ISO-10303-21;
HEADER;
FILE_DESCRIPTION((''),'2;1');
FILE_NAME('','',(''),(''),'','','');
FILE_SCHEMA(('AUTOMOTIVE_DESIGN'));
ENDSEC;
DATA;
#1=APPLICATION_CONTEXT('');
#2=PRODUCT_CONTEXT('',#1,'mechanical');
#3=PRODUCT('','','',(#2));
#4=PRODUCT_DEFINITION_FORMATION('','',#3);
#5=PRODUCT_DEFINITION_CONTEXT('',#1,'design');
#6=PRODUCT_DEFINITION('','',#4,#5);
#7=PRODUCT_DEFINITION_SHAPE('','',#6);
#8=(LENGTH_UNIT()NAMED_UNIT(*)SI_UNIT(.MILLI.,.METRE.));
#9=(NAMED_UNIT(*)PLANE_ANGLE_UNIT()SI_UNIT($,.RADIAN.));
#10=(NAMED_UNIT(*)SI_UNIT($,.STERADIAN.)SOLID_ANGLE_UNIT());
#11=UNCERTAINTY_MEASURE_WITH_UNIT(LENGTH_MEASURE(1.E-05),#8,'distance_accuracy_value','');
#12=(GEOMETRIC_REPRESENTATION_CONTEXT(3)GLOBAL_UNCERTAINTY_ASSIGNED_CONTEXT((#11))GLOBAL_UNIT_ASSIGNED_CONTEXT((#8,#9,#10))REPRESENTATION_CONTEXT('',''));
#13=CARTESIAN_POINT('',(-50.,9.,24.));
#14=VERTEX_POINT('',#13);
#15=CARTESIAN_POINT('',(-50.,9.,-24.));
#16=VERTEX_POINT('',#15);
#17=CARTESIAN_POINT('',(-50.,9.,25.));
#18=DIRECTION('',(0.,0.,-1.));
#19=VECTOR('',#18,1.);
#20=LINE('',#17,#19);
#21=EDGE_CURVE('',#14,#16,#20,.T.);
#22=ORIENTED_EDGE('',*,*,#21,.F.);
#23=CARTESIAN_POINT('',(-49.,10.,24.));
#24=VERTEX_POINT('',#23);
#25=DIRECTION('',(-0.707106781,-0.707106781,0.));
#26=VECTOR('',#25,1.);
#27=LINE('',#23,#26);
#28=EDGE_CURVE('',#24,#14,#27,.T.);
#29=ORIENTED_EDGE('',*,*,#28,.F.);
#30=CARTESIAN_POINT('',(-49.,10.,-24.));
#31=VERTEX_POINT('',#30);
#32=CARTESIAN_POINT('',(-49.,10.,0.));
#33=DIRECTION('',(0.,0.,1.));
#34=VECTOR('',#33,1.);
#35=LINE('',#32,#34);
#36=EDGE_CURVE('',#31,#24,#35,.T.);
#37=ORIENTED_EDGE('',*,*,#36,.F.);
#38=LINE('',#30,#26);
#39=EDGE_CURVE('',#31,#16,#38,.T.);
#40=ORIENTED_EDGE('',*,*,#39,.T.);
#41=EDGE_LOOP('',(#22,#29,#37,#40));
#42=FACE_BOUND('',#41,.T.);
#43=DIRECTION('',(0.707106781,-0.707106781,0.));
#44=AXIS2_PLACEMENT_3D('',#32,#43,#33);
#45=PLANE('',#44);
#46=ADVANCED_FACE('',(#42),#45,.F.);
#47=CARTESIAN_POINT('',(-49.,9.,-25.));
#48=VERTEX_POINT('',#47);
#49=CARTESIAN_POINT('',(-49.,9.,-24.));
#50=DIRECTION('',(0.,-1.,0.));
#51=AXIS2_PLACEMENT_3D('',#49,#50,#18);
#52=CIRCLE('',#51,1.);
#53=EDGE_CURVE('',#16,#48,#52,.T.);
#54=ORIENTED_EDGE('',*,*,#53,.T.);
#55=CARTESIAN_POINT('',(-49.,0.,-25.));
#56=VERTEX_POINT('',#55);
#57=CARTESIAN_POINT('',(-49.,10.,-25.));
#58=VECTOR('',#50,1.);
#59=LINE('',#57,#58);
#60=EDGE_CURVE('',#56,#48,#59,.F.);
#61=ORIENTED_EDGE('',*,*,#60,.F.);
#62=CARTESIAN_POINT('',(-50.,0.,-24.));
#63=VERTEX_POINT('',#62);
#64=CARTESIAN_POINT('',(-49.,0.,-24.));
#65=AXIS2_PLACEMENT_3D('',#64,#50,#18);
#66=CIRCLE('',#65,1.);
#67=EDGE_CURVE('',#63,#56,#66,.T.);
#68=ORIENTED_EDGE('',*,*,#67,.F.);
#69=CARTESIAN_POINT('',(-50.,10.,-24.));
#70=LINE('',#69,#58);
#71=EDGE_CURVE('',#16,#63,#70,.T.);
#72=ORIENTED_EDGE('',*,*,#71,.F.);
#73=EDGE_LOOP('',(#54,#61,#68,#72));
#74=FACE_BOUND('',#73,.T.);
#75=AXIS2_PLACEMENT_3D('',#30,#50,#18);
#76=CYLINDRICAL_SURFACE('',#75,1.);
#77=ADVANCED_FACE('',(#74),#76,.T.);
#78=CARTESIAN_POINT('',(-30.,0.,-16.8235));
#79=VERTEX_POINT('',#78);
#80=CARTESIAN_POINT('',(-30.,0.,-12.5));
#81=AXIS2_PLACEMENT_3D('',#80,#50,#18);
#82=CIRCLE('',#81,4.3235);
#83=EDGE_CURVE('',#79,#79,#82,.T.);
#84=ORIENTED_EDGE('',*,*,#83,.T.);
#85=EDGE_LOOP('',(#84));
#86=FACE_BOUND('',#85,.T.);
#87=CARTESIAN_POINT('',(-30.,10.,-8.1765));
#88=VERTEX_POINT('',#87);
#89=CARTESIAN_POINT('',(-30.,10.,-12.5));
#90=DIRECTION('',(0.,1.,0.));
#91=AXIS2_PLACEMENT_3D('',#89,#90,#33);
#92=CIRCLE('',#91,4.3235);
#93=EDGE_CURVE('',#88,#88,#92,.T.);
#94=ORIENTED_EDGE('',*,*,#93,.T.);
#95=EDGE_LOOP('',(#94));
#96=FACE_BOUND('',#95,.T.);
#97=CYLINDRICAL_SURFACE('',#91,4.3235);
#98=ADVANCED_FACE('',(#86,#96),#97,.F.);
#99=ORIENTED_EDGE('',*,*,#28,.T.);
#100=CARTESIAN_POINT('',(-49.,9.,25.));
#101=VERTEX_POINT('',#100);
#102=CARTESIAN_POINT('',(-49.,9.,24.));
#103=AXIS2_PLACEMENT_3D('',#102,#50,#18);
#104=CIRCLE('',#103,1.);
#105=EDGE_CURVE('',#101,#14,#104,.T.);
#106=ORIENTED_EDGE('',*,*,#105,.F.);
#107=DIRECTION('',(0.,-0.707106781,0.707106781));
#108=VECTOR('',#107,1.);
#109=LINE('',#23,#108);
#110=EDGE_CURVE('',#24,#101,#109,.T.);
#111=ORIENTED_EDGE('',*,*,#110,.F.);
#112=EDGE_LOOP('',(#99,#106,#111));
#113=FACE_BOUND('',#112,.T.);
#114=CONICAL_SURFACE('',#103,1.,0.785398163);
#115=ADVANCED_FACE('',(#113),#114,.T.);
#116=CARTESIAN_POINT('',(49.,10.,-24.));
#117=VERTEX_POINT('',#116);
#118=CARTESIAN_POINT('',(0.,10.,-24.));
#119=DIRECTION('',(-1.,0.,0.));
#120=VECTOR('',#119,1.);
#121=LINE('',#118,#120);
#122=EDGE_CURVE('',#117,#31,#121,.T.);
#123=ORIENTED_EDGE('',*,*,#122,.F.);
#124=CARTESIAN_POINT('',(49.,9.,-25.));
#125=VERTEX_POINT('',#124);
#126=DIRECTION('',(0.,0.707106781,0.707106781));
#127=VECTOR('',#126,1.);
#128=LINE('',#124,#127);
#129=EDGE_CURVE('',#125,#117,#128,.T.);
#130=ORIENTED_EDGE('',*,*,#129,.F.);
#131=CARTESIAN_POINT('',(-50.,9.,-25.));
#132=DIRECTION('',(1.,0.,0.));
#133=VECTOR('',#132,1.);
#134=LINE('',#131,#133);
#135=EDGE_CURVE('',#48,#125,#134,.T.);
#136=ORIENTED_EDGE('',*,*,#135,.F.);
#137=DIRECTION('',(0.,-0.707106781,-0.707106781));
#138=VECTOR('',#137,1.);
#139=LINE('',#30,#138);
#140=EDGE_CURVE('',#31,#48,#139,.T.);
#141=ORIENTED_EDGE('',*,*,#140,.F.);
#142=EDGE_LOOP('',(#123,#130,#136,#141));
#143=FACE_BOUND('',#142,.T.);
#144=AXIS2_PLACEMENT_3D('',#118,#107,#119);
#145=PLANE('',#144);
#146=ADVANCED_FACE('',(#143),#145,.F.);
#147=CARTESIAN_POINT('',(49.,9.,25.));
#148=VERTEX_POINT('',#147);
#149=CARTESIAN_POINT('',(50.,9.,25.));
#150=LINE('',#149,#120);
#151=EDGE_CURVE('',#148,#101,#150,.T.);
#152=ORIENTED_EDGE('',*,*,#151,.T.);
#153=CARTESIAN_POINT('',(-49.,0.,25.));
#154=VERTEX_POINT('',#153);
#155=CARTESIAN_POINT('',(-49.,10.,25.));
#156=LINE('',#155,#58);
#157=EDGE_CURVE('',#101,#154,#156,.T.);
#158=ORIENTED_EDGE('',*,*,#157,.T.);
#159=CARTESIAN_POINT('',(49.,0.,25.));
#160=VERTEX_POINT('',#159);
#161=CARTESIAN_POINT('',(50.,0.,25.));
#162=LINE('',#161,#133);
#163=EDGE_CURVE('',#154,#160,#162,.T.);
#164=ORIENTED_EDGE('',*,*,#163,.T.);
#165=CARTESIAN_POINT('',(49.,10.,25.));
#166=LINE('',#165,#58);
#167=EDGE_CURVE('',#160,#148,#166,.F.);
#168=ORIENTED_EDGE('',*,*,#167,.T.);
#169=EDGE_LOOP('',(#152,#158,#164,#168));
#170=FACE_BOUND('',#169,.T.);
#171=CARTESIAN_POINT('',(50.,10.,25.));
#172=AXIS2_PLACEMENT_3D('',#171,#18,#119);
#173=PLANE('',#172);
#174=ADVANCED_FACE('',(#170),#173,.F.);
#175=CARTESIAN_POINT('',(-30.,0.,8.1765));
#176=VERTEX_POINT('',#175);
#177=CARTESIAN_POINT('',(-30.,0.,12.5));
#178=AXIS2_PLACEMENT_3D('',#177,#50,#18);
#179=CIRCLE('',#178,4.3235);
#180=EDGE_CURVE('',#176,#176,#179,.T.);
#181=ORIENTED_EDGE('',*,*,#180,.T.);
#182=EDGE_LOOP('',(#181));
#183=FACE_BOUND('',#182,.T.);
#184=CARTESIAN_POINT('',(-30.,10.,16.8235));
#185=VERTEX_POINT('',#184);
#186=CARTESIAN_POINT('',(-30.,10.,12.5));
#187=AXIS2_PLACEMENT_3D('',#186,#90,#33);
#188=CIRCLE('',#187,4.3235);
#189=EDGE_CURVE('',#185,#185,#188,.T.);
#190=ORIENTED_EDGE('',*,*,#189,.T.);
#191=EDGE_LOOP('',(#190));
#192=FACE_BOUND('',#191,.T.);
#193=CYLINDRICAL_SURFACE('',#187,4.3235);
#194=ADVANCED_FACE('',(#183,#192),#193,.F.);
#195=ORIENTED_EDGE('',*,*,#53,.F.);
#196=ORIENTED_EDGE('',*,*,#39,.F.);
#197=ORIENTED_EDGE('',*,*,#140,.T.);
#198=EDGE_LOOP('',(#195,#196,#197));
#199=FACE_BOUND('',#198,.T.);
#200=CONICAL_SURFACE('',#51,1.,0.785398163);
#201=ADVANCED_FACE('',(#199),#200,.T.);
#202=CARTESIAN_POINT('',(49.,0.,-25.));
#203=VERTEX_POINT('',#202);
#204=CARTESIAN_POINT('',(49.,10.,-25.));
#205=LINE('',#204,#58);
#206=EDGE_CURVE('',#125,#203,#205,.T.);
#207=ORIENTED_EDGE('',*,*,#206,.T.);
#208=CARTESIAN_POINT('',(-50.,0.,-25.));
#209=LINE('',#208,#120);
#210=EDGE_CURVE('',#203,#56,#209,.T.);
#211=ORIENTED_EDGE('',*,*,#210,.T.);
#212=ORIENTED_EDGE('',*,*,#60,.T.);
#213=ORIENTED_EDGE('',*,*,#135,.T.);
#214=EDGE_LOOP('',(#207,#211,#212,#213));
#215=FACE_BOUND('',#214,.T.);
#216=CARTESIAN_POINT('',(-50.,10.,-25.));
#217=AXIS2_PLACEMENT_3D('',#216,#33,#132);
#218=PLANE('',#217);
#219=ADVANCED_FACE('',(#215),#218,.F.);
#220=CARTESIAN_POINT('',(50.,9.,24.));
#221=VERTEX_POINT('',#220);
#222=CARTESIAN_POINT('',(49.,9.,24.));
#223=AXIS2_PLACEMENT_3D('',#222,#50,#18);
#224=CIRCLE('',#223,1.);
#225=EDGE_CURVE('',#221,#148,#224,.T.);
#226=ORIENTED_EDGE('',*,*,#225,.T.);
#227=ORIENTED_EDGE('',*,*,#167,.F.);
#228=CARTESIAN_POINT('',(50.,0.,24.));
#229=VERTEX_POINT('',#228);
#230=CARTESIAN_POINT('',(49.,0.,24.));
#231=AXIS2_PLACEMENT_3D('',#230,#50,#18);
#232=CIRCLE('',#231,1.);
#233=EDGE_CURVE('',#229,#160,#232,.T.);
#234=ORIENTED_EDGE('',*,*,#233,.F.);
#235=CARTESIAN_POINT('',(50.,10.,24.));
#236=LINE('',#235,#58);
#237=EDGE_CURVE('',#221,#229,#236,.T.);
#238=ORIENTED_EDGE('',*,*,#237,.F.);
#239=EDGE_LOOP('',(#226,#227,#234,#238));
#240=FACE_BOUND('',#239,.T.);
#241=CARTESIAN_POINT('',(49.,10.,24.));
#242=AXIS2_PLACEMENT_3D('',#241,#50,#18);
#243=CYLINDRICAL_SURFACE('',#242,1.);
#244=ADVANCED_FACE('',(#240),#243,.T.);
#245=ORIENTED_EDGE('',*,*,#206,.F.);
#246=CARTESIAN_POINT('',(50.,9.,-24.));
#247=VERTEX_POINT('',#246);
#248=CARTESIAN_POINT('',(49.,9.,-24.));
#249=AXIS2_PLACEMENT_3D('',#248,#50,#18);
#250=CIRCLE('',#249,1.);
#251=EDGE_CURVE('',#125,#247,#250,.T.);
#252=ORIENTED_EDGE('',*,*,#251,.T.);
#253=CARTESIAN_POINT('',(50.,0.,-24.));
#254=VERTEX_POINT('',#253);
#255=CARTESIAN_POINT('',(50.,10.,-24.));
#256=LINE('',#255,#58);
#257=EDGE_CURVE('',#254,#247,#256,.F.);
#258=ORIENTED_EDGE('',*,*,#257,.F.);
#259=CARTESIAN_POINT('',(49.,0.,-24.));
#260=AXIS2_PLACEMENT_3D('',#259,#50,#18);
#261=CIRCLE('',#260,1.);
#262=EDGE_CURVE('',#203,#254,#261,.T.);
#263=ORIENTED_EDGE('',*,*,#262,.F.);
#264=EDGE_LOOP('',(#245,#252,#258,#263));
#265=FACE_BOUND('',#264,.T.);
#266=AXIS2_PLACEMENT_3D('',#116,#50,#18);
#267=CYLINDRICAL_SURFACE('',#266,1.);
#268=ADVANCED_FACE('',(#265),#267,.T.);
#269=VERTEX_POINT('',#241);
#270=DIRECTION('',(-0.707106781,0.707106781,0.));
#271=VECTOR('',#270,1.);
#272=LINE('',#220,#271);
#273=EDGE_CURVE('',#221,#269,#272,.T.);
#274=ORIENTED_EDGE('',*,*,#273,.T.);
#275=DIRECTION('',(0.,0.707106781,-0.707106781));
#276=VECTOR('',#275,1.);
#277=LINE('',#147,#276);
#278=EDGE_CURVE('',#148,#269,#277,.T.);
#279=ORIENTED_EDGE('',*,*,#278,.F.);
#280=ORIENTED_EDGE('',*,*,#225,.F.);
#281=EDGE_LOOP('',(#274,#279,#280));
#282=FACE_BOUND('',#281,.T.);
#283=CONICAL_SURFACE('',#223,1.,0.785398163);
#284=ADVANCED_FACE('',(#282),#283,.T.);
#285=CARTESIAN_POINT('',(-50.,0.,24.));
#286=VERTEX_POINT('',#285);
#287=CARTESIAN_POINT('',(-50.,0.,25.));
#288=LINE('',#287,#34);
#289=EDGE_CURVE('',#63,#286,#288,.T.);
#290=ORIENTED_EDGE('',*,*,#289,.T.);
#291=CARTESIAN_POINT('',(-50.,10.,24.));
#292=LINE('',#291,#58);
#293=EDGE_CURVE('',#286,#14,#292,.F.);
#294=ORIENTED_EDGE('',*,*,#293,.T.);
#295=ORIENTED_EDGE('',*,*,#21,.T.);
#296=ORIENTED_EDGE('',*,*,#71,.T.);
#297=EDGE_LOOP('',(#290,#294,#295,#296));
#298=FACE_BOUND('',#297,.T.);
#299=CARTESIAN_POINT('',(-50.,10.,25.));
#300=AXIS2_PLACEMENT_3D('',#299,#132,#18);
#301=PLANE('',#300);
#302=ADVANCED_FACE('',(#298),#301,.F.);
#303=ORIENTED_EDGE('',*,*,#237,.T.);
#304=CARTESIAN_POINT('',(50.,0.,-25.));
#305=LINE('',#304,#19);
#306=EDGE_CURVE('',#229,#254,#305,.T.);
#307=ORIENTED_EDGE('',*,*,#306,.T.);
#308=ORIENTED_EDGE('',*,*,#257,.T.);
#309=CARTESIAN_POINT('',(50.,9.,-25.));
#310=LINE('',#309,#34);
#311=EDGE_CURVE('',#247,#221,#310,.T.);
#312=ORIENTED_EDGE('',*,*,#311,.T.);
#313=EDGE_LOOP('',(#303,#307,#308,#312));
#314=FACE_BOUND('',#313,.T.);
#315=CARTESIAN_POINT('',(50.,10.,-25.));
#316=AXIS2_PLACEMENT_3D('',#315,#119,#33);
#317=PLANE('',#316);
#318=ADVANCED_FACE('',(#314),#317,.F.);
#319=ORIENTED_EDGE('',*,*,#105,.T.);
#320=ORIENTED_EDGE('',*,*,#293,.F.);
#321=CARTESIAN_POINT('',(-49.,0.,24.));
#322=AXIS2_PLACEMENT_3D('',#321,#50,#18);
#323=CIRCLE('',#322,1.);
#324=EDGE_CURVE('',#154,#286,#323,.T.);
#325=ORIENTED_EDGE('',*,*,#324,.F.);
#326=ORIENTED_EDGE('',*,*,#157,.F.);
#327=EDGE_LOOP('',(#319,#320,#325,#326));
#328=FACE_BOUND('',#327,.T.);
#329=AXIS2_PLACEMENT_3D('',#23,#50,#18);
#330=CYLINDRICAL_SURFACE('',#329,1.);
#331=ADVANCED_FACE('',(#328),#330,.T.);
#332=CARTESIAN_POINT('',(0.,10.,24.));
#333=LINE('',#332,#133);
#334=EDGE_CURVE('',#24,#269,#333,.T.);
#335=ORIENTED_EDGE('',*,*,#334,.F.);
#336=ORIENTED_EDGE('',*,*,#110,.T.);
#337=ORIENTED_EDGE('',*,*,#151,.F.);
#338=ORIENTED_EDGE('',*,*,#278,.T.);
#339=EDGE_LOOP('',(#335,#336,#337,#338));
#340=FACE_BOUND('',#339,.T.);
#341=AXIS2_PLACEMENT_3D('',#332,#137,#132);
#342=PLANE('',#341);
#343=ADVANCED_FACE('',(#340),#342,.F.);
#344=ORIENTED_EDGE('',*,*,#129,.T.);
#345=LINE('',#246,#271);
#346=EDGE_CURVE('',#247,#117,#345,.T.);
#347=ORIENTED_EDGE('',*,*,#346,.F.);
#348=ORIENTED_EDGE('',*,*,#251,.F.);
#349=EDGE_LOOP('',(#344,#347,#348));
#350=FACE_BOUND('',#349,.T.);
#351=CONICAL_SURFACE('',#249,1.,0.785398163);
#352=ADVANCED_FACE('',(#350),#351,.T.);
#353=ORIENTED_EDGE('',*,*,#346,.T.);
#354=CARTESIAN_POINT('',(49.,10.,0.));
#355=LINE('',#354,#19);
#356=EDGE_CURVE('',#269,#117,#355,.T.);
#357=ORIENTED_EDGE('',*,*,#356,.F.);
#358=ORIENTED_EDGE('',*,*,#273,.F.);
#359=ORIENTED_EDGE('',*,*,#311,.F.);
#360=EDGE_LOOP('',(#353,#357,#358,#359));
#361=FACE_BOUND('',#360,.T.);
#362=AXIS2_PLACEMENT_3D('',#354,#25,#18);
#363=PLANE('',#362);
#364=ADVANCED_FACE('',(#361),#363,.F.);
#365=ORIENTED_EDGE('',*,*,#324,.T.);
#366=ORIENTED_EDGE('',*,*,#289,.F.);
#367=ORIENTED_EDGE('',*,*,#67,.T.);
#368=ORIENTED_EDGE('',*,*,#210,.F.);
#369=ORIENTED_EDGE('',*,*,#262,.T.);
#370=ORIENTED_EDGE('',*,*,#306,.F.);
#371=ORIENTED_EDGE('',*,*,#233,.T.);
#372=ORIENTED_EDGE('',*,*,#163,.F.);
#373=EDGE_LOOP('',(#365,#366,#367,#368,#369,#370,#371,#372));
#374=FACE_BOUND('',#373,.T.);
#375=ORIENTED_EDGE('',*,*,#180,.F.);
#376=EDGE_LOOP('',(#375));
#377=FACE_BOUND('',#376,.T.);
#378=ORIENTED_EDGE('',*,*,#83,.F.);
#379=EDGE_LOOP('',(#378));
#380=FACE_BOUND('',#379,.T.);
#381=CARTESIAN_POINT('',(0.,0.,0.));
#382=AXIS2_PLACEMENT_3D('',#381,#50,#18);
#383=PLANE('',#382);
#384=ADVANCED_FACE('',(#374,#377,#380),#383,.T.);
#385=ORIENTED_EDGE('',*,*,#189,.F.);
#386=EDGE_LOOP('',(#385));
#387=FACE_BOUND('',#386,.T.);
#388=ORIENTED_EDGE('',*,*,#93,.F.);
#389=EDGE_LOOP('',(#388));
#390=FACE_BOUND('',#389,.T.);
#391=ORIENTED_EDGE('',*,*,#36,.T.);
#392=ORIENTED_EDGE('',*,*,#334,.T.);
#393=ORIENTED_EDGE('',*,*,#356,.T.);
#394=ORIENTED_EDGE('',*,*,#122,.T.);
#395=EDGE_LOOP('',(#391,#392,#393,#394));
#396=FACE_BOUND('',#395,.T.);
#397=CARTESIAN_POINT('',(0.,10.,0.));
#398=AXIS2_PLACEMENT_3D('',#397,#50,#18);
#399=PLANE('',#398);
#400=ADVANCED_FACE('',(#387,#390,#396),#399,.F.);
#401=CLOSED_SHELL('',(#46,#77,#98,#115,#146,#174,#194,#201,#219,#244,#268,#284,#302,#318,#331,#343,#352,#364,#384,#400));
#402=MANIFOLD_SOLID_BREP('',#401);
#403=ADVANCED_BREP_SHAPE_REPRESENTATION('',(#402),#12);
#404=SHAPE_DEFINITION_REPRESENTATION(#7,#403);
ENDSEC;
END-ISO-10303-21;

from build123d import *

# Parameters (mm, degrees)
SKETCH_1_W          = 100
SKETCH_1_H          = 50
EXTRUDE_1_DEPTH     = 10
FILLET_1_R          = 1
CHAMFER_2_SIZE      = 1
HOLE_WIZARD_1_D     = 8.647
HOLE_WIZARD_1_DEPTH = 26.2
HOLE_WIZARD_1_TIP   = 2.597820886


with BuildPart() as part:
    # 草圖1 → 擠出1 (new body)
    with BuildSketch(Plane(origin=(0, 0, 0), x_dir=(-1, 0, 0), z_dir=(0, 1, 0))):
        Rectangle(SKETCH_1_W, SKETCH_1_H)
    extrude(amount=EXTRUDE_1_DEPTH)

    # 圓角1
    fillet_1_edges = [part.edges().sort_by_distance(p)[0] for p in [
        (-50, 5, -25),
        (50, 5, -25),
        (50, 5, 25),
        (-50, 5, 25),
    ]]
    fillet(fillet_1_edges, radius=FILLET_1_R)

    # 倒角2
    chamfer_2_edges = [part.edges().sort_by_distance(p)[0] for p in [
        (0, 10, 25),
        (-50, 10, 0),
        (50, 10, 0),
        (0, 10, -25),
        (49.707106781, 10, 24.707106781),
        (49.707106781, 10, -24.707106781),
        (-49.707106781, 10, -24.707106781),
        (-49.707106781, 10, 24.707106781),
    ]]
    chamfer(chamfer_2_edges, length=CHAMFER_2_SIZE)

    # 孔1
    with Locations(Plane(origin=(0, 10, 0), x_dir=(1, 0, 0), z_dir=(0, 1, 0))):
        with Locations((-30, 12.5), (-30, -12.5)):
            Hole(HOLE_WIZARD_1_D / 2, depth=HOLE_WIZARD_1_DEPTH)
            with Locations((0, 0, -(HOLE_WIZARD_1_DEPTH + HOLE_WIZARD_1_TIP / 2))):  # 118° drill point
                Cone(0, HOLE_WIZARD_1_D / 2, HOLE_WIZARD_1_TIP, mode=Mode.SUBTRACT)


solid = part.part
